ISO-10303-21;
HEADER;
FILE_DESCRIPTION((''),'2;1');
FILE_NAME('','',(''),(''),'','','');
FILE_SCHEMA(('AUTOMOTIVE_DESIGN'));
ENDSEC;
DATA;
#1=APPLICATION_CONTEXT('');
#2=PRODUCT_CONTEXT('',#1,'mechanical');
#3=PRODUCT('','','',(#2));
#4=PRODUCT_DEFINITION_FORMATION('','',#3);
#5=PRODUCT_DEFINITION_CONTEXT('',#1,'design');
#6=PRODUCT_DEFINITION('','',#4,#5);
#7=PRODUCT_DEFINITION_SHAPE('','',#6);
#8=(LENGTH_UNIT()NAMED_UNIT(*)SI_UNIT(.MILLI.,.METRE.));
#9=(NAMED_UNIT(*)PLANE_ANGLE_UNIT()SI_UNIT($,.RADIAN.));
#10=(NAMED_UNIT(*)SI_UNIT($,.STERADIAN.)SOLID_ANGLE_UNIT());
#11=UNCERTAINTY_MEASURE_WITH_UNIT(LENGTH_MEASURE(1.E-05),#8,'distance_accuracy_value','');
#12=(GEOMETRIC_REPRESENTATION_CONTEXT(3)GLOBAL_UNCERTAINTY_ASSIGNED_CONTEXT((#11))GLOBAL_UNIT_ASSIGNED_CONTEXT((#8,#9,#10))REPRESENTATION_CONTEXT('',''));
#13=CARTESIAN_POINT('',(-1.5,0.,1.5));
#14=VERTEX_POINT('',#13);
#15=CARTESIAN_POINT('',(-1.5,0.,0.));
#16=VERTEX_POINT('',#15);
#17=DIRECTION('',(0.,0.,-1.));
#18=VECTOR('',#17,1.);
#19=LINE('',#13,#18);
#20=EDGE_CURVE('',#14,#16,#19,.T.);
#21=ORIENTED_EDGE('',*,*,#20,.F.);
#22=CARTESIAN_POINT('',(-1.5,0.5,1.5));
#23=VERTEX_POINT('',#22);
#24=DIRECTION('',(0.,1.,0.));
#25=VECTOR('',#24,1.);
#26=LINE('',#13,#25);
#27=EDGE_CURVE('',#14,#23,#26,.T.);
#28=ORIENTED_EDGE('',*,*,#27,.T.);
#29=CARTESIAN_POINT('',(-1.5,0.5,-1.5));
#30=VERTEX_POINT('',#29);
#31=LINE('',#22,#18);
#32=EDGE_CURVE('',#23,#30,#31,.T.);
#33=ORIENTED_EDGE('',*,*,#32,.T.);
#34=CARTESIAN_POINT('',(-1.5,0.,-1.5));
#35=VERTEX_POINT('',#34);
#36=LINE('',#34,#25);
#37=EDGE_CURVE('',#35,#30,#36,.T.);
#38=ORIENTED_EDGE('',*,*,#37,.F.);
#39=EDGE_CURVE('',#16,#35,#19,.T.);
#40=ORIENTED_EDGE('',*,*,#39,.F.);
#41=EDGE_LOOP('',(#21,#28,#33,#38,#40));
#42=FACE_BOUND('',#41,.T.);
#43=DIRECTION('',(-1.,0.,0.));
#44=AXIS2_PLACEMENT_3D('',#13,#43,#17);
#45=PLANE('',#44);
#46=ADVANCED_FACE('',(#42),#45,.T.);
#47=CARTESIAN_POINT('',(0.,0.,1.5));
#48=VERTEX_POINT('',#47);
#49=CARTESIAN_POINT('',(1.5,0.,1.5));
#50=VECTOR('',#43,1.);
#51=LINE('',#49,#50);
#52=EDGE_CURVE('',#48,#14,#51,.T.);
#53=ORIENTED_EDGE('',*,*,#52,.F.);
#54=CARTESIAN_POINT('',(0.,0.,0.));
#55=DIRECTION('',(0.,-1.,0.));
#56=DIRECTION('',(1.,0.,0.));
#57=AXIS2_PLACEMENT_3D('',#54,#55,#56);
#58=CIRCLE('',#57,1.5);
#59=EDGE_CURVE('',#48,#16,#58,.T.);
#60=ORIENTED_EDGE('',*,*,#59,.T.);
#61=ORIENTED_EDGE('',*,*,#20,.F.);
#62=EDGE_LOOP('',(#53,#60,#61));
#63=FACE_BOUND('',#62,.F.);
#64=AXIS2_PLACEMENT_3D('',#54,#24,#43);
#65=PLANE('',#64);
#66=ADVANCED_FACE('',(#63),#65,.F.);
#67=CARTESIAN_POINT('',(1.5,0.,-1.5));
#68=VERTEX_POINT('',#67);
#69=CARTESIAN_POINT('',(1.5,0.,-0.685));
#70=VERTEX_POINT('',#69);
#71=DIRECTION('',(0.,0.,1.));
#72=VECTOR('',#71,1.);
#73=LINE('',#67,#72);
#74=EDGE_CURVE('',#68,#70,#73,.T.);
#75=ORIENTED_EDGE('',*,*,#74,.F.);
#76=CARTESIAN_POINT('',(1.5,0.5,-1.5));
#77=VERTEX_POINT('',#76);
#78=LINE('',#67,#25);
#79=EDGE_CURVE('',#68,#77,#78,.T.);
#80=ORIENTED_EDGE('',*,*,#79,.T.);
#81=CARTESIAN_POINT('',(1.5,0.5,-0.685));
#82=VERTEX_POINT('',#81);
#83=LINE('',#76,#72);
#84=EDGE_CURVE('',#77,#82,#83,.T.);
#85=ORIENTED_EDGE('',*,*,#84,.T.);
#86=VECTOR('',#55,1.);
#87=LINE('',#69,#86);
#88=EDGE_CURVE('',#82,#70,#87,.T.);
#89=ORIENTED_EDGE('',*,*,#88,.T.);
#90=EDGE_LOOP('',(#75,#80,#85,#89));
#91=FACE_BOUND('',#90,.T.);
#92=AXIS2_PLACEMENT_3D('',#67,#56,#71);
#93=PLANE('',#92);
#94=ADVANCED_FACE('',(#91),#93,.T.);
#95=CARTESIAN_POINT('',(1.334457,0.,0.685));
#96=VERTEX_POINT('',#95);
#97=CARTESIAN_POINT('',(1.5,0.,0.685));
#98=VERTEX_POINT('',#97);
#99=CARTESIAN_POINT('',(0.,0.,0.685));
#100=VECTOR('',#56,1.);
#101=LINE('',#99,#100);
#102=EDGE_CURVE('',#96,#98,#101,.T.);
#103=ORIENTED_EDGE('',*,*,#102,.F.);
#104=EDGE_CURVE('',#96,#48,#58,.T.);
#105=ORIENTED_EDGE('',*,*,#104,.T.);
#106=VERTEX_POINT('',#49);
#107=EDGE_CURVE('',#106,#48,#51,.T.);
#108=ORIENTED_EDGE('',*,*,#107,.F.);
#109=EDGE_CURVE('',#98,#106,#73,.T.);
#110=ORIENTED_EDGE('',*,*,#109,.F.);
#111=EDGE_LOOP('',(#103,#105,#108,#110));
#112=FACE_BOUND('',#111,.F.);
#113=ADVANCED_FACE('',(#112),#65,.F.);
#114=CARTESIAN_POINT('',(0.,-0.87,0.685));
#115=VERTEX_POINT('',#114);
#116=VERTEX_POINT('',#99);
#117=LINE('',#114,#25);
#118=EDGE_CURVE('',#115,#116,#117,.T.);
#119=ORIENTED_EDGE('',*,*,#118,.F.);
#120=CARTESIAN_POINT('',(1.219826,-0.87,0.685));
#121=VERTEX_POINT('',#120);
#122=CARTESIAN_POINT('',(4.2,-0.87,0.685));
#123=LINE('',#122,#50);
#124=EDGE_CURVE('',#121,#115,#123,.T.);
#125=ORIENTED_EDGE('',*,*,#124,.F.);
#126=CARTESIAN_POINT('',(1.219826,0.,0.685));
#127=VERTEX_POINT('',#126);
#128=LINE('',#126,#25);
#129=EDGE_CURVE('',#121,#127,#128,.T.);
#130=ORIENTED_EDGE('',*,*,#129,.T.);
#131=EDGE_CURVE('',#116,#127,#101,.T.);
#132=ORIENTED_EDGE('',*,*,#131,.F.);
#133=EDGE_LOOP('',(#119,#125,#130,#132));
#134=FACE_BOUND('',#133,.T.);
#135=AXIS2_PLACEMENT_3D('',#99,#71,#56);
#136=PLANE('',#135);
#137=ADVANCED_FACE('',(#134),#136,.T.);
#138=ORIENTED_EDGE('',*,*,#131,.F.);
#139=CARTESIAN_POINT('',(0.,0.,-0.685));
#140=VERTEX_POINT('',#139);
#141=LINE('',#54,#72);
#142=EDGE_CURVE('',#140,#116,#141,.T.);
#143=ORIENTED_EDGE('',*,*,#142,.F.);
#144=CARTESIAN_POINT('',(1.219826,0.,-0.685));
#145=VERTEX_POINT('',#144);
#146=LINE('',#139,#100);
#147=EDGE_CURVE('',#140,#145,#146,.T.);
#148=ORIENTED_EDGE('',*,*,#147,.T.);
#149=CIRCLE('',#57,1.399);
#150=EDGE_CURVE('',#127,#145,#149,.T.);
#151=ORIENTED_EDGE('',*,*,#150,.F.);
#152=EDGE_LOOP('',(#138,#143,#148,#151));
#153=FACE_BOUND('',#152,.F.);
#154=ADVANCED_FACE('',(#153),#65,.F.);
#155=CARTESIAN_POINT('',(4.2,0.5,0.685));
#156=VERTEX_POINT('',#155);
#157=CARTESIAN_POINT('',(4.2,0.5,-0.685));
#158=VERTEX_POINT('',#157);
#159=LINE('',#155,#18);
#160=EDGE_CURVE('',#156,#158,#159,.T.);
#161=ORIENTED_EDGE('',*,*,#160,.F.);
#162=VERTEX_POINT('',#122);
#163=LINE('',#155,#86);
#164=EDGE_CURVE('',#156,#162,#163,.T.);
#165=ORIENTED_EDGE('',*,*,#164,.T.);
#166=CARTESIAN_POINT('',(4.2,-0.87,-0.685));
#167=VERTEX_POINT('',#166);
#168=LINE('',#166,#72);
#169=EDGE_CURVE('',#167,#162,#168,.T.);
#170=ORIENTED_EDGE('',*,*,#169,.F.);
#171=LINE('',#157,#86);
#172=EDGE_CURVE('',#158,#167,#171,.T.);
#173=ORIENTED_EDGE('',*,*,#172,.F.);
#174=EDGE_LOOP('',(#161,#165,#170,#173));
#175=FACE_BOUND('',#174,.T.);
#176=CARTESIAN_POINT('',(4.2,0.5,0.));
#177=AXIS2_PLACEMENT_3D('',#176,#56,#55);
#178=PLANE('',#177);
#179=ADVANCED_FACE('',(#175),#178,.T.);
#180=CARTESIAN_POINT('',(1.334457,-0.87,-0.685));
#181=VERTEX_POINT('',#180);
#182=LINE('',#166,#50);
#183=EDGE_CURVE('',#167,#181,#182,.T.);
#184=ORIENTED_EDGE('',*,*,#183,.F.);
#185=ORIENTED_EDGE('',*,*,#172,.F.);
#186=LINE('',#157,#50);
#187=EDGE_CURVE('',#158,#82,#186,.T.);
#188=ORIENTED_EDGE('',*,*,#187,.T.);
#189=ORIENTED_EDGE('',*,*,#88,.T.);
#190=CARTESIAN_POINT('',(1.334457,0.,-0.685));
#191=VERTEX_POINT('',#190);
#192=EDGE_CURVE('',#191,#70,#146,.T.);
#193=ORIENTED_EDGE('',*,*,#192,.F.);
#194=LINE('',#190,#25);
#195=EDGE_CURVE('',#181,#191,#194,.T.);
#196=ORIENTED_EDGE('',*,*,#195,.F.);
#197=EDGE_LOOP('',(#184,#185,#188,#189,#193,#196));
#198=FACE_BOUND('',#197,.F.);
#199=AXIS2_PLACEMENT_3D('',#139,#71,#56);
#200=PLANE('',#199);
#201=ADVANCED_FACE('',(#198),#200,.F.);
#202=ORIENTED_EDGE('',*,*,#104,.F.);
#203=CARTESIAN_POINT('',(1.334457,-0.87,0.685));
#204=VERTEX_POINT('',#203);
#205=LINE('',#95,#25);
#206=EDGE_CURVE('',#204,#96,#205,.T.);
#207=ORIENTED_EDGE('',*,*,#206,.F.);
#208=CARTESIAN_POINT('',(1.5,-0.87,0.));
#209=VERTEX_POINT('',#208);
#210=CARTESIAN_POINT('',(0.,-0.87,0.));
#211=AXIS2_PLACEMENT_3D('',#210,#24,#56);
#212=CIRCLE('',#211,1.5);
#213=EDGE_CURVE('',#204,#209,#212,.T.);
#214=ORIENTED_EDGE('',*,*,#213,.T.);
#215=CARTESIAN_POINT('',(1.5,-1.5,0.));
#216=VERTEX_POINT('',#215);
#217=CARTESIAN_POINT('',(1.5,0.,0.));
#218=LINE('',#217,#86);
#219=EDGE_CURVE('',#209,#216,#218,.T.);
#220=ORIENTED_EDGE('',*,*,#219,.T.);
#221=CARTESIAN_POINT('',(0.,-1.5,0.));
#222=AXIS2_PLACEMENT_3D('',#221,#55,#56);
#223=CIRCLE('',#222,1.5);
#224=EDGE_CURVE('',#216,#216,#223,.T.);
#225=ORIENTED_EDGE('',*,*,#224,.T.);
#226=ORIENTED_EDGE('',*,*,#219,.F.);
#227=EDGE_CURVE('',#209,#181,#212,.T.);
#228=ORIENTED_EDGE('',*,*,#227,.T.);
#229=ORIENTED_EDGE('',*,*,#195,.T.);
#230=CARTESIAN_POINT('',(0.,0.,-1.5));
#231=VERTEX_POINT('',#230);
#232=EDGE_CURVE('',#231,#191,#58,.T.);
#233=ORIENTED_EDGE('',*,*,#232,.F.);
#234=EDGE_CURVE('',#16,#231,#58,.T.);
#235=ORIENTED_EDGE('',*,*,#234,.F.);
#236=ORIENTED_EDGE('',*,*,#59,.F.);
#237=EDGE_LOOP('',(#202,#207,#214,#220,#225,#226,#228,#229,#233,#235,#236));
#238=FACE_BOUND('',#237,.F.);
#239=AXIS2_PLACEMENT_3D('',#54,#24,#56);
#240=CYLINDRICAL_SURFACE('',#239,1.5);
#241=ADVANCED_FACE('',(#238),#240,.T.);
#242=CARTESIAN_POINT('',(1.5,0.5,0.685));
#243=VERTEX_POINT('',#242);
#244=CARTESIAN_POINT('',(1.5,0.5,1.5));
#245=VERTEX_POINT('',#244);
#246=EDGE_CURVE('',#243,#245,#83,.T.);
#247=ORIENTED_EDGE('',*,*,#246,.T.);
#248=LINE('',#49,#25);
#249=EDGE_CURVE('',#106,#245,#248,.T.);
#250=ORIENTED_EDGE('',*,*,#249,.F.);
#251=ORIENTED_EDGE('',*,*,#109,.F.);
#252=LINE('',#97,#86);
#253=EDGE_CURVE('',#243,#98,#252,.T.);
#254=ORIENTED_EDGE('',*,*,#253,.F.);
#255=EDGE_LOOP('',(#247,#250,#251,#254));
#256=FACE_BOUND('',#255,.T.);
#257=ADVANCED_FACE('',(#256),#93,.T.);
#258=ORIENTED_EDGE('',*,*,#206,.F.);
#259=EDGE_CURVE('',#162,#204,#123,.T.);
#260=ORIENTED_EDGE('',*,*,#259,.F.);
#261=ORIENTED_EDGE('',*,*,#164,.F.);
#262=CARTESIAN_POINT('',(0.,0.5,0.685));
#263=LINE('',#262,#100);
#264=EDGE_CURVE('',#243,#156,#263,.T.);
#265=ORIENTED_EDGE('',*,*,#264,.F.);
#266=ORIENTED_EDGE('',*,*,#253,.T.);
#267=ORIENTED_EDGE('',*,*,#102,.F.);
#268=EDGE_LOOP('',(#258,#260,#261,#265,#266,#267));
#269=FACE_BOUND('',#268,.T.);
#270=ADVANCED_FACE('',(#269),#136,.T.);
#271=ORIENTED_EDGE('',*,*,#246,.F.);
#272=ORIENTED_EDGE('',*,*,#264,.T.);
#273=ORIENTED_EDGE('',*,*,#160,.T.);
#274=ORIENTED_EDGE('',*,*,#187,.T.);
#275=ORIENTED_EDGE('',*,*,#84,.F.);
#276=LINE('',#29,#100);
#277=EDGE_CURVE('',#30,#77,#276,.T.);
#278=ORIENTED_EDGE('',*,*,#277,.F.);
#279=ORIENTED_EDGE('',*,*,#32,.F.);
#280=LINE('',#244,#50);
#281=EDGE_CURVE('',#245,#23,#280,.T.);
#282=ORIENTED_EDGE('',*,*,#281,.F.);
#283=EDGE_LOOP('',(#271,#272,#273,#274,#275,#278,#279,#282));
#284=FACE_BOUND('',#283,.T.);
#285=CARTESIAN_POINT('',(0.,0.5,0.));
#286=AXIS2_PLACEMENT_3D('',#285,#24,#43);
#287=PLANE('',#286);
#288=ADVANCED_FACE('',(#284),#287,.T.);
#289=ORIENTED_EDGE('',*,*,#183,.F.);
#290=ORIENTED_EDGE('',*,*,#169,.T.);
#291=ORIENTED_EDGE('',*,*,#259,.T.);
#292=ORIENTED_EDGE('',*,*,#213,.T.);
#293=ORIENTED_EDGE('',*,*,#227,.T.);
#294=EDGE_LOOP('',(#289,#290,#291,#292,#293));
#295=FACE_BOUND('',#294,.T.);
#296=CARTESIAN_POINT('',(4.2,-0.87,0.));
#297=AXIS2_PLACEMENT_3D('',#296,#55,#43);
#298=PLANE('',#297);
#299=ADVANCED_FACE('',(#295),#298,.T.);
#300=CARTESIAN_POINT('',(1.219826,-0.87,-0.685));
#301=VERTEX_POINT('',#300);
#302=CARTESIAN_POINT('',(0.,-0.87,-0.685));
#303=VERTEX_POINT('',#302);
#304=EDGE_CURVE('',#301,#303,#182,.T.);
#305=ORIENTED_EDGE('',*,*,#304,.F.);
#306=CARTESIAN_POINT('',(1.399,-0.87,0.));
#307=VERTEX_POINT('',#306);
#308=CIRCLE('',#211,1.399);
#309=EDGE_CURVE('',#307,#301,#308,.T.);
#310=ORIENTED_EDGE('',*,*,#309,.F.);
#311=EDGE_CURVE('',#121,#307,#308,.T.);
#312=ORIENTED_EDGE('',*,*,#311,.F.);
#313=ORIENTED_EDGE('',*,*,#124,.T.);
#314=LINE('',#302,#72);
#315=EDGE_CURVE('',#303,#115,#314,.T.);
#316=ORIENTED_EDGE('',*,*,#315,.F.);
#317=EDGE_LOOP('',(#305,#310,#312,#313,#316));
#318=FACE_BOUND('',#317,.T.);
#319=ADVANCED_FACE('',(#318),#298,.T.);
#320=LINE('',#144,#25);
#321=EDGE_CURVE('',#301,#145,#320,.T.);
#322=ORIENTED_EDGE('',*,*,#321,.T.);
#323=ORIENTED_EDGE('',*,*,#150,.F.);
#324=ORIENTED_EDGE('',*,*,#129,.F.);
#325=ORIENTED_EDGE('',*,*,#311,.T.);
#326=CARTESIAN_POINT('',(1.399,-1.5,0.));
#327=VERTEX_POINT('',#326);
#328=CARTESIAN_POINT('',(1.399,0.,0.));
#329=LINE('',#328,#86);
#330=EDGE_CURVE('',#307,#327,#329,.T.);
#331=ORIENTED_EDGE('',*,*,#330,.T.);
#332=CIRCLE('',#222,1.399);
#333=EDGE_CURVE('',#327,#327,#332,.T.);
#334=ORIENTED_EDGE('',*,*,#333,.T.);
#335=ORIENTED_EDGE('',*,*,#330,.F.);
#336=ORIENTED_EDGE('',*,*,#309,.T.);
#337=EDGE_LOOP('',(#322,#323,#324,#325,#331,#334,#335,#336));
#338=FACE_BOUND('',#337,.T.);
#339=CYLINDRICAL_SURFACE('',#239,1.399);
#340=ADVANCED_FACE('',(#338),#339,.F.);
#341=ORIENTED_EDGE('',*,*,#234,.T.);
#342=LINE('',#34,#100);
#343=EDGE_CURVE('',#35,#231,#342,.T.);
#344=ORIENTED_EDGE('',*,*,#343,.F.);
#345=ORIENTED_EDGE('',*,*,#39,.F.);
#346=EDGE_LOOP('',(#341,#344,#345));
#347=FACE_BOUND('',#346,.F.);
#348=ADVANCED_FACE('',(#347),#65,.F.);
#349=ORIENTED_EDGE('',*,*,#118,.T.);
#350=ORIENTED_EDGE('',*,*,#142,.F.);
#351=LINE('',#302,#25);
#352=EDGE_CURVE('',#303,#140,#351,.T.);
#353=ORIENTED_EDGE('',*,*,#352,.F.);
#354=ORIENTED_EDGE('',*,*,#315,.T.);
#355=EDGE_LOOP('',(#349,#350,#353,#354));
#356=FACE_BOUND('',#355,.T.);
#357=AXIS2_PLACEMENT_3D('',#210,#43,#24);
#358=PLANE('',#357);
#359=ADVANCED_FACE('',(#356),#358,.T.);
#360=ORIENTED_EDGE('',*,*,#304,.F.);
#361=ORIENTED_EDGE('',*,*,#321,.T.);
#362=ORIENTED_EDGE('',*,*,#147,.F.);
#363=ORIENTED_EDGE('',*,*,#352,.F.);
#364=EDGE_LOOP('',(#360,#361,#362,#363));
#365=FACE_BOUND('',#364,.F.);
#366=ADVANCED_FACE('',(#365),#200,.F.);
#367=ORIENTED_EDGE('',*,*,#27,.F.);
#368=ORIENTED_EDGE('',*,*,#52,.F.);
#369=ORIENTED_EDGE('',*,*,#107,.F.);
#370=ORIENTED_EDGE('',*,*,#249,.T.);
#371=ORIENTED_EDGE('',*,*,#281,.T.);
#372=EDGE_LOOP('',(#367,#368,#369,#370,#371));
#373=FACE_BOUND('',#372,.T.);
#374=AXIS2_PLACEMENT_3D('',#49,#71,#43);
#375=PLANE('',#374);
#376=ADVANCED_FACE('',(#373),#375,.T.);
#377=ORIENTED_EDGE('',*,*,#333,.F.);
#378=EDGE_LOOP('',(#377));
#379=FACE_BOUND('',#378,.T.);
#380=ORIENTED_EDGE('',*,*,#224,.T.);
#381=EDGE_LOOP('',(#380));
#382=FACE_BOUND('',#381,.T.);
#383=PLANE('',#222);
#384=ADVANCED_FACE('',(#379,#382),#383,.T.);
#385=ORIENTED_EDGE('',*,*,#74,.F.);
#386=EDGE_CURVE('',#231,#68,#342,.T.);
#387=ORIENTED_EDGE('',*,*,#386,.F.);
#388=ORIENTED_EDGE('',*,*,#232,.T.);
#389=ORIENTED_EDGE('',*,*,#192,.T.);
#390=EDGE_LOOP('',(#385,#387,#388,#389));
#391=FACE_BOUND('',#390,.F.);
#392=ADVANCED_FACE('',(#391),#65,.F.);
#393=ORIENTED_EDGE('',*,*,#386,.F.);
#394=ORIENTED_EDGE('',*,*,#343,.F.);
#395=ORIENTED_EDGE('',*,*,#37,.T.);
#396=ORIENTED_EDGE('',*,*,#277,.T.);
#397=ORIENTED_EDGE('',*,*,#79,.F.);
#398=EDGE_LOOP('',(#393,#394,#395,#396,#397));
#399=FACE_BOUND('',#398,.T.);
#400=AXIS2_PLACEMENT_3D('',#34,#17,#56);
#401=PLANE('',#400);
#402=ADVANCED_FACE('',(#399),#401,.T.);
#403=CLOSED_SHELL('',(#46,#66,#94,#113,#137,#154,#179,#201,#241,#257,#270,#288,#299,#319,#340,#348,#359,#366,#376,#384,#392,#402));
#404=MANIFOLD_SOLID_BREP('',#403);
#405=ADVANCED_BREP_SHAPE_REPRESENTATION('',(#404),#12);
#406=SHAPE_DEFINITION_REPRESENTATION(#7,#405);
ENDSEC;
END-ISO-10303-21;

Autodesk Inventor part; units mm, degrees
ref_plane "YZ Plane" through (0, 0, 0) normal (1, 0, 0) x (0, 1, 0)
ref_plane "XZ Plane" through (0, 0, 0) normal (0, 1, 0) x (-1, 0, 0)
ref_plane "XY Plane" through (0, 0, 0) normal (0, 0, 1) x (1, 0, 0)
sketch "Sketch1" plane through (0, 0, 0) normal (0, 1, 0) x (-1, 0, 0)
  line L0 (-1.5, 1.5) -> (1.5, 1.5)
  line L1 (1.5, 1.5) -> (1.5, -1.5)
  line L2 (1.5, -1.5) -> (-1.5, -1.5)
  line L3 (-1.5, -1.5) -> (-1.5, 1.5)
  point P0 (0, 0)
  dimension "d0" = 3
  dimension "d1" = 3
  dimension "d8" = 1.5
  dimension "d9" = 1.5
extrude "Extrusion1" add sketch "Sketch1" along normal blind 0.5
sketch "Sketch2" plane through (0, 0, 0) normal (0, -1, 0) x (1, 0, 0)
  line L0 (1.5, -1.5) -> (1.5, 1.5) projected
  circle A0 centre (0, 0) radius 1.5
  circle A1 centre (0, 0) radius 1.399
  dimension "d4" = 2.7979
  dimension "d5" = 3
extrude "Extrusion2" add sketch "Sketch2" along normal blind 1.5
sketch "Sketch3" plane through (0, 0, 0) normal (0, 0, 1) x (1, 0, 0)
  line L0 (0, 0.5) -> (4.2, 0.5)
  line L1 (4.2, 0.5) -> (4.2, -0.87)
  line L2 (4.2, -0.87) -> (0, -0.87)
  line L3 (0, -0.87) -> (0, 0.5)
  line L4 (-1.5, 0) -> (-1.5, 0.5) projected
  line L5 (-1.5, 0.5) -> (1.5, 0.5) projected
  point P0 (0, 0)
  dimension "d10" = 5.7
  dimension "d11" = 1.37
  dimension "d12" = 0
extrude "Extrusion3" add sketch "Sketch3" along normal mid plane 1.37
sketch "Sketch4" plane through (0, 0.5, 0) normal (0, 1, 0) x (1, 0, 0)
  line L0 (1.5, 0.685) -> (1.5, 1.5) projected
  line L1 (1.5, 1.5) -> (-1.5, 1.5) projected
  line L2 (-1.5, 1.5) -> (-1.5, -1.5) projected
  line L3 (-1.5, -1.5) -> (1.5, -1.5) projected
  line L4 (1.5, -1.5) -> (1.5, -0.685) projected
  line L5 (4.2, -0.685) -> (1.5, -0.685) projected
  line L6 (4.2, -0.685) -> (4.2, 0.685) projected
  line L7 (1.5, 0.685) -> (4.2, 0.685) projected
  circle A0 centre (4.0858, 4.4759) radius 4.5
  circle A1 centre (4.0858, 4.4759) radius 4.1575
  circle A2 centre (4.0858, 4.4759) radius 4.8425
  circle A3 centre (4.2, -4.5313) radius 4.5
  circle A4 centre (4.2, -4.5313) radius 4.1575
  circle A5 centre (4.2, -4.5313) radius 4.8425
  point P0 (0, 0)
  dimension "d15" = 9
  dimension "d16" = 9.685
  dimension "d17" = 8.315
  dimension "d18" = 9
  dimension "d19" = 9.685
  dimension "d20" = 8.315
properties part number "UMCC_Plug"
